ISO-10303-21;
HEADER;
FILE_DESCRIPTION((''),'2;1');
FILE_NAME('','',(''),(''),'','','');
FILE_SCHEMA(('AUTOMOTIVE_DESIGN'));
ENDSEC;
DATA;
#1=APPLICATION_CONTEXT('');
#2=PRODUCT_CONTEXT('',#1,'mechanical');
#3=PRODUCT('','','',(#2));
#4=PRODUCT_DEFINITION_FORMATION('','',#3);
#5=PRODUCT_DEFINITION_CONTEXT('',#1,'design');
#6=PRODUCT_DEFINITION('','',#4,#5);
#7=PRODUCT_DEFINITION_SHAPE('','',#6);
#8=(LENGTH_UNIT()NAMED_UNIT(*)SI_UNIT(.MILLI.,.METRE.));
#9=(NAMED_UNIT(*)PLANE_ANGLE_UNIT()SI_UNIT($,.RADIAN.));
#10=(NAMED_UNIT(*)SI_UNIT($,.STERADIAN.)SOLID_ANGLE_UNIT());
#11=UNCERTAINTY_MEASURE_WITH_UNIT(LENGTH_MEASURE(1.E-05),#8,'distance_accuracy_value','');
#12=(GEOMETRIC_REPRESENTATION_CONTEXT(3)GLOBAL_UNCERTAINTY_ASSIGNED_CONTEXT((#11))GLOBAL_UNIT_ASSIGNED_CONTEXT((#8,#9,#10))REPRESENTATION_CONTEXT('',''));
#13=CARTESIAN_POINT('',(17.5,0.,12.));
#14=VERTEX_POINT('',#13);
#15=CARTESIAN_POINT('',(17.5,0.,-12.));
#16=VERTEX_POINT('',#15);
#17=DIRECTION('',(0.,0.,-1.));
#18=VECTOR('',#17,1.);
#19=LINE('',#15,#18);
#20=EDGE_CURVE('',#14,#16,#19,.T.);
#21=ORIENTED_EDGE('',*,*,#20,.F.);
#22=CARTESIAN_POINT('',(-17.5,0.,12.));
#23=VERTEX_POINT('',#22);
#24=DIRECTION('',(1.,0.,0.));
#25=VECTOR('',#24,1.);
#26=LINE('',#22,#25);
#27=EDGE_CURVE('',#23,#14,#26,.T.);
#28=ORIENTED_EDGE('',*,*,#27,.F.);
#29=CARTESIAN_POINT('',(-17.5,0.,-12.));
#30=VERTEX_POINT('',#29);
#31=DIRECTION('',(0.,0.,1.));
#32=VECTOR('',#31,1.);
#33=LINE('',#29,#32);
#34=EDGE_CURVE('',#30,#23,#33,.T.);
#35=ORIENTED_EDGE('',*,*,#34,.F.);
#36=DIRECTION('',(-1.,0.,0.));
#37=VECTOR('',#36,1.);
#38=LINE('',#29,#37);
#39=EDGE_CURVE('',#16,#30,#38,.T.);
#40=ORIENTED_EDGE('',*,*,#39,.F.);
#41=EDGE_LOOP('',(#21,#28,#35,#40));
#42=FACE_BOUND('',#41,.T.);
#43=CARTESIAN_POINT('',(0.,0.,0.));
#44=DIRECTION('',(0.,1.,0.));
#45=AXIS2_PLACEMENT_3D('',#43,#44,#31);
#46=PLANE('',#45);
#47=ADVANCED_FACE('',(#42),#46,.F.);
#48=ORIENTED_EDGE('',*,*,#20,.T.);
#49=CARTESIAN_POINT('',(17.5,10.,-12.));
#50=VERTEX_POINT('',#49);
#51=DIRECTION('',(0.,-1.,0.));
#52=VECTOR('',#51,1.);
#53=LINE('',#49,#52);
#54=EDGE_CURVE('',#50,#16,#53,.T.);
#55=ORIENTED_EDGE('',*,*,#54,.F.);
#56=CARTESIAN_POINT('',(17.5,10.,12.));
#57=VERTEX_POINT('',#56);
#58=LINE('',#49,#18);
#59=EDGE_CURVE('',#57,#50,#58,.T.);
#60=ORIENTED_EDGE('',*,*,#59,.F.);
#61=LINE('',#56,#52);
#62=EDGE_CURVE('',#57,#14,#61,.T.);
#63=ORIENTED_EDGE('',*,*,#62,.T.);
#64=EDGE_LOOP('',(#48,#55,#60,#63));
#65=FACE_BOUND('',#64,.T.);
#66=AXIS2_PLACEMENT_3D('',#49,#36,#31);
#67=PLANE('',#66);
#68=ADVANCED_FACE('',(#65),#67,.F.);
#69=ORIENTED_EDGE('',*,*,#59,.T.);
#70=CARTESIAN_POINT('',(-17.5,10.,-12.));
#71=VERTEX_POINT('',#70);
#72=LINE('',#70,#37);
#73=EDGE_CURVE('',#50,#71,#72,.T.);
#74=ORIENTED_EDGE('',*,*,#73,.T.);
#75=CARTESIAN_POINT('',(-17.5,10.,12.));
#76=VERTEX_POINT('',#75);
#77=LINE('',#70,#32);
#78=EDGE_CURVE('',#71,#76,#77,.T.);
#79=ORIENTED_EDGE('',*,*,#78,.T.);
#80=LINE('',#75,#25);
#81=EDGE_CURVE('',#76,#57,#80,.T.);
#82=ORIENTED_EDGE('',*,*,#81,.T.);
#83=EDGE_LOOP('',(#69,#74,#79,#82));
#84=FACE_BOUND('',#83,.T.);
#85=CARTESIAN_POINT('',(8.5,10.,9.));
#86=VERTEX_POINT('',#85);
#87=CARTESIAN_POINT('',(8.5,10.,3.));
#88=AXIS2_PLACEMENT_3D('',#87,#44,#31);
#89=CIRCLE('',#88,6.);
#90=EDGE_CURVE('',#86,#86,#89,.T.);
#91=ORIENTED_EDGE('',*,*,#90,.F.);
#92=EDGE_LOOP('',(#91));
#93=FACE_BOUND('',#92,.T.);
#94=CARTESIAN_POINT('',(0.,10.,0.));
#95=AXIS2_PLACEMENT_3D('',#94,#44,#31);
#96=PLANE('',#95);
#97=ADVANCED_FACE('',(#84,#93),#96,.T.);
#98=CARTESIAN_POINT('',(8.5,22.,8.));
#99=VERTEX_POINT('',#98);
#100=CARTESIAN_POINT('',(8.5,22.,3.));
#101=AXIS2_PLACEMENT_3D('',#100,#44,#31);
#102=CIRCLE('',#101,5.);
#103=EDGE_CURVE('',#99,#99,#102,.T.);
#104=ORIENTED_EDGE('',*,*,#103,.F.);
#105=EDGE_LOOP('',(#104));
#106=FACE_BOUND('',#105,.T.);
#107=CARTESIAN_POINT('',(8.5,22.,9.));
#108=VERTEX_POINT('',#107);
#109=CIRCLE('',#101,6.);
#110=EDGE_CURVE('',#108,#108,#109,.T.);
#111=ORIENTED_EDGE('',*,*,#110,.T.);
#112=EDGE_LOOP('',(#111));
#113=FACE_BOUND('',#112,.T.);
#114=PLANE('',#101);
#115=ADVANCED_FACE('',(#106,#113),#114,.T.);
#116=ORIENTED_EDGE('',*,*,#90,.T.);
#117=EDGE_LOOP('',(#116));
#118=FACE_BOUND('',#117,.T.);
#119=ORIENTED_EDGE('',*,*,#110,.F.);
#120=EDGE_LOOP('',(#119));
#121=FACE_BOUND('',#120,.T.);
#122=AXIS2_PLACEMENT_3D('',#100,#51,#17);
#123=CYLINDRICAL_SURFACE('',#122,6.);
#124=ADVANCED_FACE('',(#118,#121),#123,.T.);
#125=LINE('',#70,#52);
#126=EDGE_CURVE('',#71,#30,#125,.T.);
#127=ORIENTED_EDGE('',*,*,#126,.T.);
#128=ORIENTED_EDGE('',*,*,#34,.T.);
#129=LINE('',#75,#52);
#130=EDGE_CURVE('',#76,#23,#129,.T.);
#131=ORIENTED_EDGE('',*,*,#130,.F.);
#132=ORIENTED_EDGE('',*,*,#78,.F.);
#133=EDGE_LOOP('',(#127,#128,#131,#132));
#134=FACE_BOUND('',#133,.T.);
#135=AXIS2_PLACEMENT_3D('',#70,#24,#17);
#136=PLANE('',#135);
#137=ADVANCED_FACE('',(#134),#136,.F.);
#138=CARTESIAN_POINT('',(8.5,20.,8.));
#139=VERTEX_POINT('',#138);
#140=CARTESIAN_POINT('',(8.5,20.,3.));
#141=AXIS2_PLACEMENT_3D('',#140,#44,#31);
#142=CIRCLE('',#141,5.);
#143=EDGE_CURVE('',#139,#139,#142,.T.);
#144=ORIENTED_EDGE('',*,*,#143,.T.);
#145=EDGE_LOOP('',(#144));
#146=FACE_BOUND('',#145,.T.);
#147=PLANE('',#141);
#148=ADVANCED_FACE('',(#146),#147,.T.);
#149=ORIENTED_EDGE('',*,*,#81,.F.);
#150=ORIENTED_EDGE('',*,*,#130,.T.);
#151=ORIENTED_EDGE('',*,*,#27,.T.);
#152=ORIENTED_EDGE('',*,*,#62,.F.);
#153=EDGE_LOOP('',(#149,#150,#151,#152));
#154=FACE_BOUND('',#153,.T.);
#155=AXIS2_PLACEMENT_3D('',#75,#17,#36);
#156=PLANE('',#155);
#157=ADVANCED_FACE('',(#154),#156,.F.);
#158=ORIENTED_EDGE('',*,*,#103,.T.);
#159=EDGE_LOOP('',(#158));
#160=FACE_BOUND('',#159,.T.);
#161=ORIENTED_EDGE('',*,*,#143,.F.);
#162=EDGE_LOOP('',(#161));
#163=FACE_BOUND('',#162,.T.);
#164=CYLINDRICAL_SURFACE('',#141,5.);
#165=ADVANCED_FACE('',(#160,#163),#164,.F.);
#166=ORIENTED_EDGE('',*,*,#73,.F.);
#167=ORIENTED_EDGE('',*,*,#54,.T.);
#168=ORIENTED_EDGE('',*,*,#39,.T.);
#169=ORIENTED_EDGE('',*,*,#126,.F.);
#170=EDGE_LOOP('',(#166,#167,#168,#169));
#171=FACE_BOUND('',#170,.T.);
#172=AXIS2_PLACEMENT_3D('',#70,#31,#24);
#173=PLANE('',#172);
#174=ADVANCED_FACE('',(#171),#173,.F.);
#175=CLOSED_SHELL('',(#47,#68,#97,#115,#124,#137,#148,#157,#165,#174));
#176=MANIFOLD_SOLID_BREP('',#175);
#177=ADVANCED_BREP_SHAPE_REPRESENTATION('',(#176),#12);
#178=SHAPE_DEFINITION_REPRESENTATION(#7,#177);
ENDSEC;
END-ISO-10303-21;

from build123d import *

# Parameters (mm, degrees)
SKETCH2_W           = 35
SKETCH2_H           = 24
BOSS_EXTRUDE1_DEPTH = 10
SKETCH3_R           = 6
BOSS_EXTRUDE2_DEPTH = 12
SKETCH4_R           = 5
CUT_EXTRUDE2_DEPTH  = 2


with BuildPart() as part:
    # Sketch2 → Boss-Extrude1 (new body)
    with BuildSketch(Plane(origin=(0, 0, 0), x_dir=(1, 0, 0), z_dir=(0, 1, 0))):
        Rectangle(SKETCH2_W, SKETCH2_H)
    extrude(amount=BOSS_EXTRUDE1_DEPTH)

    # Sketch3 → Boss-Extrude2 (add)
    with BuildSketch(Plane(origin=(0, 10, 0), x_dir=(1, 0, 0), z_dir=(0, 1, 0))):
        with Locations((8.5, -3)):
            Circle(SKETCH3_R)
    extrude(amount=BOSS_EXTRUDE2_DEPTH)

    # Sketch4 → Cut-Extrude2 (cut)
    with BuildSketch(Plane(origin=(0, 22, 0), x_dir=(1, 0, 0), z_dir=(0, 1, 0))):
        with Locations((8.5, -3)):
            Circle(SKETCH4_R)
    extrude(amount=-CUT_EXTRUDE2_DEPTH, mode=Mode.SUBTRACT)


solid = part.part
